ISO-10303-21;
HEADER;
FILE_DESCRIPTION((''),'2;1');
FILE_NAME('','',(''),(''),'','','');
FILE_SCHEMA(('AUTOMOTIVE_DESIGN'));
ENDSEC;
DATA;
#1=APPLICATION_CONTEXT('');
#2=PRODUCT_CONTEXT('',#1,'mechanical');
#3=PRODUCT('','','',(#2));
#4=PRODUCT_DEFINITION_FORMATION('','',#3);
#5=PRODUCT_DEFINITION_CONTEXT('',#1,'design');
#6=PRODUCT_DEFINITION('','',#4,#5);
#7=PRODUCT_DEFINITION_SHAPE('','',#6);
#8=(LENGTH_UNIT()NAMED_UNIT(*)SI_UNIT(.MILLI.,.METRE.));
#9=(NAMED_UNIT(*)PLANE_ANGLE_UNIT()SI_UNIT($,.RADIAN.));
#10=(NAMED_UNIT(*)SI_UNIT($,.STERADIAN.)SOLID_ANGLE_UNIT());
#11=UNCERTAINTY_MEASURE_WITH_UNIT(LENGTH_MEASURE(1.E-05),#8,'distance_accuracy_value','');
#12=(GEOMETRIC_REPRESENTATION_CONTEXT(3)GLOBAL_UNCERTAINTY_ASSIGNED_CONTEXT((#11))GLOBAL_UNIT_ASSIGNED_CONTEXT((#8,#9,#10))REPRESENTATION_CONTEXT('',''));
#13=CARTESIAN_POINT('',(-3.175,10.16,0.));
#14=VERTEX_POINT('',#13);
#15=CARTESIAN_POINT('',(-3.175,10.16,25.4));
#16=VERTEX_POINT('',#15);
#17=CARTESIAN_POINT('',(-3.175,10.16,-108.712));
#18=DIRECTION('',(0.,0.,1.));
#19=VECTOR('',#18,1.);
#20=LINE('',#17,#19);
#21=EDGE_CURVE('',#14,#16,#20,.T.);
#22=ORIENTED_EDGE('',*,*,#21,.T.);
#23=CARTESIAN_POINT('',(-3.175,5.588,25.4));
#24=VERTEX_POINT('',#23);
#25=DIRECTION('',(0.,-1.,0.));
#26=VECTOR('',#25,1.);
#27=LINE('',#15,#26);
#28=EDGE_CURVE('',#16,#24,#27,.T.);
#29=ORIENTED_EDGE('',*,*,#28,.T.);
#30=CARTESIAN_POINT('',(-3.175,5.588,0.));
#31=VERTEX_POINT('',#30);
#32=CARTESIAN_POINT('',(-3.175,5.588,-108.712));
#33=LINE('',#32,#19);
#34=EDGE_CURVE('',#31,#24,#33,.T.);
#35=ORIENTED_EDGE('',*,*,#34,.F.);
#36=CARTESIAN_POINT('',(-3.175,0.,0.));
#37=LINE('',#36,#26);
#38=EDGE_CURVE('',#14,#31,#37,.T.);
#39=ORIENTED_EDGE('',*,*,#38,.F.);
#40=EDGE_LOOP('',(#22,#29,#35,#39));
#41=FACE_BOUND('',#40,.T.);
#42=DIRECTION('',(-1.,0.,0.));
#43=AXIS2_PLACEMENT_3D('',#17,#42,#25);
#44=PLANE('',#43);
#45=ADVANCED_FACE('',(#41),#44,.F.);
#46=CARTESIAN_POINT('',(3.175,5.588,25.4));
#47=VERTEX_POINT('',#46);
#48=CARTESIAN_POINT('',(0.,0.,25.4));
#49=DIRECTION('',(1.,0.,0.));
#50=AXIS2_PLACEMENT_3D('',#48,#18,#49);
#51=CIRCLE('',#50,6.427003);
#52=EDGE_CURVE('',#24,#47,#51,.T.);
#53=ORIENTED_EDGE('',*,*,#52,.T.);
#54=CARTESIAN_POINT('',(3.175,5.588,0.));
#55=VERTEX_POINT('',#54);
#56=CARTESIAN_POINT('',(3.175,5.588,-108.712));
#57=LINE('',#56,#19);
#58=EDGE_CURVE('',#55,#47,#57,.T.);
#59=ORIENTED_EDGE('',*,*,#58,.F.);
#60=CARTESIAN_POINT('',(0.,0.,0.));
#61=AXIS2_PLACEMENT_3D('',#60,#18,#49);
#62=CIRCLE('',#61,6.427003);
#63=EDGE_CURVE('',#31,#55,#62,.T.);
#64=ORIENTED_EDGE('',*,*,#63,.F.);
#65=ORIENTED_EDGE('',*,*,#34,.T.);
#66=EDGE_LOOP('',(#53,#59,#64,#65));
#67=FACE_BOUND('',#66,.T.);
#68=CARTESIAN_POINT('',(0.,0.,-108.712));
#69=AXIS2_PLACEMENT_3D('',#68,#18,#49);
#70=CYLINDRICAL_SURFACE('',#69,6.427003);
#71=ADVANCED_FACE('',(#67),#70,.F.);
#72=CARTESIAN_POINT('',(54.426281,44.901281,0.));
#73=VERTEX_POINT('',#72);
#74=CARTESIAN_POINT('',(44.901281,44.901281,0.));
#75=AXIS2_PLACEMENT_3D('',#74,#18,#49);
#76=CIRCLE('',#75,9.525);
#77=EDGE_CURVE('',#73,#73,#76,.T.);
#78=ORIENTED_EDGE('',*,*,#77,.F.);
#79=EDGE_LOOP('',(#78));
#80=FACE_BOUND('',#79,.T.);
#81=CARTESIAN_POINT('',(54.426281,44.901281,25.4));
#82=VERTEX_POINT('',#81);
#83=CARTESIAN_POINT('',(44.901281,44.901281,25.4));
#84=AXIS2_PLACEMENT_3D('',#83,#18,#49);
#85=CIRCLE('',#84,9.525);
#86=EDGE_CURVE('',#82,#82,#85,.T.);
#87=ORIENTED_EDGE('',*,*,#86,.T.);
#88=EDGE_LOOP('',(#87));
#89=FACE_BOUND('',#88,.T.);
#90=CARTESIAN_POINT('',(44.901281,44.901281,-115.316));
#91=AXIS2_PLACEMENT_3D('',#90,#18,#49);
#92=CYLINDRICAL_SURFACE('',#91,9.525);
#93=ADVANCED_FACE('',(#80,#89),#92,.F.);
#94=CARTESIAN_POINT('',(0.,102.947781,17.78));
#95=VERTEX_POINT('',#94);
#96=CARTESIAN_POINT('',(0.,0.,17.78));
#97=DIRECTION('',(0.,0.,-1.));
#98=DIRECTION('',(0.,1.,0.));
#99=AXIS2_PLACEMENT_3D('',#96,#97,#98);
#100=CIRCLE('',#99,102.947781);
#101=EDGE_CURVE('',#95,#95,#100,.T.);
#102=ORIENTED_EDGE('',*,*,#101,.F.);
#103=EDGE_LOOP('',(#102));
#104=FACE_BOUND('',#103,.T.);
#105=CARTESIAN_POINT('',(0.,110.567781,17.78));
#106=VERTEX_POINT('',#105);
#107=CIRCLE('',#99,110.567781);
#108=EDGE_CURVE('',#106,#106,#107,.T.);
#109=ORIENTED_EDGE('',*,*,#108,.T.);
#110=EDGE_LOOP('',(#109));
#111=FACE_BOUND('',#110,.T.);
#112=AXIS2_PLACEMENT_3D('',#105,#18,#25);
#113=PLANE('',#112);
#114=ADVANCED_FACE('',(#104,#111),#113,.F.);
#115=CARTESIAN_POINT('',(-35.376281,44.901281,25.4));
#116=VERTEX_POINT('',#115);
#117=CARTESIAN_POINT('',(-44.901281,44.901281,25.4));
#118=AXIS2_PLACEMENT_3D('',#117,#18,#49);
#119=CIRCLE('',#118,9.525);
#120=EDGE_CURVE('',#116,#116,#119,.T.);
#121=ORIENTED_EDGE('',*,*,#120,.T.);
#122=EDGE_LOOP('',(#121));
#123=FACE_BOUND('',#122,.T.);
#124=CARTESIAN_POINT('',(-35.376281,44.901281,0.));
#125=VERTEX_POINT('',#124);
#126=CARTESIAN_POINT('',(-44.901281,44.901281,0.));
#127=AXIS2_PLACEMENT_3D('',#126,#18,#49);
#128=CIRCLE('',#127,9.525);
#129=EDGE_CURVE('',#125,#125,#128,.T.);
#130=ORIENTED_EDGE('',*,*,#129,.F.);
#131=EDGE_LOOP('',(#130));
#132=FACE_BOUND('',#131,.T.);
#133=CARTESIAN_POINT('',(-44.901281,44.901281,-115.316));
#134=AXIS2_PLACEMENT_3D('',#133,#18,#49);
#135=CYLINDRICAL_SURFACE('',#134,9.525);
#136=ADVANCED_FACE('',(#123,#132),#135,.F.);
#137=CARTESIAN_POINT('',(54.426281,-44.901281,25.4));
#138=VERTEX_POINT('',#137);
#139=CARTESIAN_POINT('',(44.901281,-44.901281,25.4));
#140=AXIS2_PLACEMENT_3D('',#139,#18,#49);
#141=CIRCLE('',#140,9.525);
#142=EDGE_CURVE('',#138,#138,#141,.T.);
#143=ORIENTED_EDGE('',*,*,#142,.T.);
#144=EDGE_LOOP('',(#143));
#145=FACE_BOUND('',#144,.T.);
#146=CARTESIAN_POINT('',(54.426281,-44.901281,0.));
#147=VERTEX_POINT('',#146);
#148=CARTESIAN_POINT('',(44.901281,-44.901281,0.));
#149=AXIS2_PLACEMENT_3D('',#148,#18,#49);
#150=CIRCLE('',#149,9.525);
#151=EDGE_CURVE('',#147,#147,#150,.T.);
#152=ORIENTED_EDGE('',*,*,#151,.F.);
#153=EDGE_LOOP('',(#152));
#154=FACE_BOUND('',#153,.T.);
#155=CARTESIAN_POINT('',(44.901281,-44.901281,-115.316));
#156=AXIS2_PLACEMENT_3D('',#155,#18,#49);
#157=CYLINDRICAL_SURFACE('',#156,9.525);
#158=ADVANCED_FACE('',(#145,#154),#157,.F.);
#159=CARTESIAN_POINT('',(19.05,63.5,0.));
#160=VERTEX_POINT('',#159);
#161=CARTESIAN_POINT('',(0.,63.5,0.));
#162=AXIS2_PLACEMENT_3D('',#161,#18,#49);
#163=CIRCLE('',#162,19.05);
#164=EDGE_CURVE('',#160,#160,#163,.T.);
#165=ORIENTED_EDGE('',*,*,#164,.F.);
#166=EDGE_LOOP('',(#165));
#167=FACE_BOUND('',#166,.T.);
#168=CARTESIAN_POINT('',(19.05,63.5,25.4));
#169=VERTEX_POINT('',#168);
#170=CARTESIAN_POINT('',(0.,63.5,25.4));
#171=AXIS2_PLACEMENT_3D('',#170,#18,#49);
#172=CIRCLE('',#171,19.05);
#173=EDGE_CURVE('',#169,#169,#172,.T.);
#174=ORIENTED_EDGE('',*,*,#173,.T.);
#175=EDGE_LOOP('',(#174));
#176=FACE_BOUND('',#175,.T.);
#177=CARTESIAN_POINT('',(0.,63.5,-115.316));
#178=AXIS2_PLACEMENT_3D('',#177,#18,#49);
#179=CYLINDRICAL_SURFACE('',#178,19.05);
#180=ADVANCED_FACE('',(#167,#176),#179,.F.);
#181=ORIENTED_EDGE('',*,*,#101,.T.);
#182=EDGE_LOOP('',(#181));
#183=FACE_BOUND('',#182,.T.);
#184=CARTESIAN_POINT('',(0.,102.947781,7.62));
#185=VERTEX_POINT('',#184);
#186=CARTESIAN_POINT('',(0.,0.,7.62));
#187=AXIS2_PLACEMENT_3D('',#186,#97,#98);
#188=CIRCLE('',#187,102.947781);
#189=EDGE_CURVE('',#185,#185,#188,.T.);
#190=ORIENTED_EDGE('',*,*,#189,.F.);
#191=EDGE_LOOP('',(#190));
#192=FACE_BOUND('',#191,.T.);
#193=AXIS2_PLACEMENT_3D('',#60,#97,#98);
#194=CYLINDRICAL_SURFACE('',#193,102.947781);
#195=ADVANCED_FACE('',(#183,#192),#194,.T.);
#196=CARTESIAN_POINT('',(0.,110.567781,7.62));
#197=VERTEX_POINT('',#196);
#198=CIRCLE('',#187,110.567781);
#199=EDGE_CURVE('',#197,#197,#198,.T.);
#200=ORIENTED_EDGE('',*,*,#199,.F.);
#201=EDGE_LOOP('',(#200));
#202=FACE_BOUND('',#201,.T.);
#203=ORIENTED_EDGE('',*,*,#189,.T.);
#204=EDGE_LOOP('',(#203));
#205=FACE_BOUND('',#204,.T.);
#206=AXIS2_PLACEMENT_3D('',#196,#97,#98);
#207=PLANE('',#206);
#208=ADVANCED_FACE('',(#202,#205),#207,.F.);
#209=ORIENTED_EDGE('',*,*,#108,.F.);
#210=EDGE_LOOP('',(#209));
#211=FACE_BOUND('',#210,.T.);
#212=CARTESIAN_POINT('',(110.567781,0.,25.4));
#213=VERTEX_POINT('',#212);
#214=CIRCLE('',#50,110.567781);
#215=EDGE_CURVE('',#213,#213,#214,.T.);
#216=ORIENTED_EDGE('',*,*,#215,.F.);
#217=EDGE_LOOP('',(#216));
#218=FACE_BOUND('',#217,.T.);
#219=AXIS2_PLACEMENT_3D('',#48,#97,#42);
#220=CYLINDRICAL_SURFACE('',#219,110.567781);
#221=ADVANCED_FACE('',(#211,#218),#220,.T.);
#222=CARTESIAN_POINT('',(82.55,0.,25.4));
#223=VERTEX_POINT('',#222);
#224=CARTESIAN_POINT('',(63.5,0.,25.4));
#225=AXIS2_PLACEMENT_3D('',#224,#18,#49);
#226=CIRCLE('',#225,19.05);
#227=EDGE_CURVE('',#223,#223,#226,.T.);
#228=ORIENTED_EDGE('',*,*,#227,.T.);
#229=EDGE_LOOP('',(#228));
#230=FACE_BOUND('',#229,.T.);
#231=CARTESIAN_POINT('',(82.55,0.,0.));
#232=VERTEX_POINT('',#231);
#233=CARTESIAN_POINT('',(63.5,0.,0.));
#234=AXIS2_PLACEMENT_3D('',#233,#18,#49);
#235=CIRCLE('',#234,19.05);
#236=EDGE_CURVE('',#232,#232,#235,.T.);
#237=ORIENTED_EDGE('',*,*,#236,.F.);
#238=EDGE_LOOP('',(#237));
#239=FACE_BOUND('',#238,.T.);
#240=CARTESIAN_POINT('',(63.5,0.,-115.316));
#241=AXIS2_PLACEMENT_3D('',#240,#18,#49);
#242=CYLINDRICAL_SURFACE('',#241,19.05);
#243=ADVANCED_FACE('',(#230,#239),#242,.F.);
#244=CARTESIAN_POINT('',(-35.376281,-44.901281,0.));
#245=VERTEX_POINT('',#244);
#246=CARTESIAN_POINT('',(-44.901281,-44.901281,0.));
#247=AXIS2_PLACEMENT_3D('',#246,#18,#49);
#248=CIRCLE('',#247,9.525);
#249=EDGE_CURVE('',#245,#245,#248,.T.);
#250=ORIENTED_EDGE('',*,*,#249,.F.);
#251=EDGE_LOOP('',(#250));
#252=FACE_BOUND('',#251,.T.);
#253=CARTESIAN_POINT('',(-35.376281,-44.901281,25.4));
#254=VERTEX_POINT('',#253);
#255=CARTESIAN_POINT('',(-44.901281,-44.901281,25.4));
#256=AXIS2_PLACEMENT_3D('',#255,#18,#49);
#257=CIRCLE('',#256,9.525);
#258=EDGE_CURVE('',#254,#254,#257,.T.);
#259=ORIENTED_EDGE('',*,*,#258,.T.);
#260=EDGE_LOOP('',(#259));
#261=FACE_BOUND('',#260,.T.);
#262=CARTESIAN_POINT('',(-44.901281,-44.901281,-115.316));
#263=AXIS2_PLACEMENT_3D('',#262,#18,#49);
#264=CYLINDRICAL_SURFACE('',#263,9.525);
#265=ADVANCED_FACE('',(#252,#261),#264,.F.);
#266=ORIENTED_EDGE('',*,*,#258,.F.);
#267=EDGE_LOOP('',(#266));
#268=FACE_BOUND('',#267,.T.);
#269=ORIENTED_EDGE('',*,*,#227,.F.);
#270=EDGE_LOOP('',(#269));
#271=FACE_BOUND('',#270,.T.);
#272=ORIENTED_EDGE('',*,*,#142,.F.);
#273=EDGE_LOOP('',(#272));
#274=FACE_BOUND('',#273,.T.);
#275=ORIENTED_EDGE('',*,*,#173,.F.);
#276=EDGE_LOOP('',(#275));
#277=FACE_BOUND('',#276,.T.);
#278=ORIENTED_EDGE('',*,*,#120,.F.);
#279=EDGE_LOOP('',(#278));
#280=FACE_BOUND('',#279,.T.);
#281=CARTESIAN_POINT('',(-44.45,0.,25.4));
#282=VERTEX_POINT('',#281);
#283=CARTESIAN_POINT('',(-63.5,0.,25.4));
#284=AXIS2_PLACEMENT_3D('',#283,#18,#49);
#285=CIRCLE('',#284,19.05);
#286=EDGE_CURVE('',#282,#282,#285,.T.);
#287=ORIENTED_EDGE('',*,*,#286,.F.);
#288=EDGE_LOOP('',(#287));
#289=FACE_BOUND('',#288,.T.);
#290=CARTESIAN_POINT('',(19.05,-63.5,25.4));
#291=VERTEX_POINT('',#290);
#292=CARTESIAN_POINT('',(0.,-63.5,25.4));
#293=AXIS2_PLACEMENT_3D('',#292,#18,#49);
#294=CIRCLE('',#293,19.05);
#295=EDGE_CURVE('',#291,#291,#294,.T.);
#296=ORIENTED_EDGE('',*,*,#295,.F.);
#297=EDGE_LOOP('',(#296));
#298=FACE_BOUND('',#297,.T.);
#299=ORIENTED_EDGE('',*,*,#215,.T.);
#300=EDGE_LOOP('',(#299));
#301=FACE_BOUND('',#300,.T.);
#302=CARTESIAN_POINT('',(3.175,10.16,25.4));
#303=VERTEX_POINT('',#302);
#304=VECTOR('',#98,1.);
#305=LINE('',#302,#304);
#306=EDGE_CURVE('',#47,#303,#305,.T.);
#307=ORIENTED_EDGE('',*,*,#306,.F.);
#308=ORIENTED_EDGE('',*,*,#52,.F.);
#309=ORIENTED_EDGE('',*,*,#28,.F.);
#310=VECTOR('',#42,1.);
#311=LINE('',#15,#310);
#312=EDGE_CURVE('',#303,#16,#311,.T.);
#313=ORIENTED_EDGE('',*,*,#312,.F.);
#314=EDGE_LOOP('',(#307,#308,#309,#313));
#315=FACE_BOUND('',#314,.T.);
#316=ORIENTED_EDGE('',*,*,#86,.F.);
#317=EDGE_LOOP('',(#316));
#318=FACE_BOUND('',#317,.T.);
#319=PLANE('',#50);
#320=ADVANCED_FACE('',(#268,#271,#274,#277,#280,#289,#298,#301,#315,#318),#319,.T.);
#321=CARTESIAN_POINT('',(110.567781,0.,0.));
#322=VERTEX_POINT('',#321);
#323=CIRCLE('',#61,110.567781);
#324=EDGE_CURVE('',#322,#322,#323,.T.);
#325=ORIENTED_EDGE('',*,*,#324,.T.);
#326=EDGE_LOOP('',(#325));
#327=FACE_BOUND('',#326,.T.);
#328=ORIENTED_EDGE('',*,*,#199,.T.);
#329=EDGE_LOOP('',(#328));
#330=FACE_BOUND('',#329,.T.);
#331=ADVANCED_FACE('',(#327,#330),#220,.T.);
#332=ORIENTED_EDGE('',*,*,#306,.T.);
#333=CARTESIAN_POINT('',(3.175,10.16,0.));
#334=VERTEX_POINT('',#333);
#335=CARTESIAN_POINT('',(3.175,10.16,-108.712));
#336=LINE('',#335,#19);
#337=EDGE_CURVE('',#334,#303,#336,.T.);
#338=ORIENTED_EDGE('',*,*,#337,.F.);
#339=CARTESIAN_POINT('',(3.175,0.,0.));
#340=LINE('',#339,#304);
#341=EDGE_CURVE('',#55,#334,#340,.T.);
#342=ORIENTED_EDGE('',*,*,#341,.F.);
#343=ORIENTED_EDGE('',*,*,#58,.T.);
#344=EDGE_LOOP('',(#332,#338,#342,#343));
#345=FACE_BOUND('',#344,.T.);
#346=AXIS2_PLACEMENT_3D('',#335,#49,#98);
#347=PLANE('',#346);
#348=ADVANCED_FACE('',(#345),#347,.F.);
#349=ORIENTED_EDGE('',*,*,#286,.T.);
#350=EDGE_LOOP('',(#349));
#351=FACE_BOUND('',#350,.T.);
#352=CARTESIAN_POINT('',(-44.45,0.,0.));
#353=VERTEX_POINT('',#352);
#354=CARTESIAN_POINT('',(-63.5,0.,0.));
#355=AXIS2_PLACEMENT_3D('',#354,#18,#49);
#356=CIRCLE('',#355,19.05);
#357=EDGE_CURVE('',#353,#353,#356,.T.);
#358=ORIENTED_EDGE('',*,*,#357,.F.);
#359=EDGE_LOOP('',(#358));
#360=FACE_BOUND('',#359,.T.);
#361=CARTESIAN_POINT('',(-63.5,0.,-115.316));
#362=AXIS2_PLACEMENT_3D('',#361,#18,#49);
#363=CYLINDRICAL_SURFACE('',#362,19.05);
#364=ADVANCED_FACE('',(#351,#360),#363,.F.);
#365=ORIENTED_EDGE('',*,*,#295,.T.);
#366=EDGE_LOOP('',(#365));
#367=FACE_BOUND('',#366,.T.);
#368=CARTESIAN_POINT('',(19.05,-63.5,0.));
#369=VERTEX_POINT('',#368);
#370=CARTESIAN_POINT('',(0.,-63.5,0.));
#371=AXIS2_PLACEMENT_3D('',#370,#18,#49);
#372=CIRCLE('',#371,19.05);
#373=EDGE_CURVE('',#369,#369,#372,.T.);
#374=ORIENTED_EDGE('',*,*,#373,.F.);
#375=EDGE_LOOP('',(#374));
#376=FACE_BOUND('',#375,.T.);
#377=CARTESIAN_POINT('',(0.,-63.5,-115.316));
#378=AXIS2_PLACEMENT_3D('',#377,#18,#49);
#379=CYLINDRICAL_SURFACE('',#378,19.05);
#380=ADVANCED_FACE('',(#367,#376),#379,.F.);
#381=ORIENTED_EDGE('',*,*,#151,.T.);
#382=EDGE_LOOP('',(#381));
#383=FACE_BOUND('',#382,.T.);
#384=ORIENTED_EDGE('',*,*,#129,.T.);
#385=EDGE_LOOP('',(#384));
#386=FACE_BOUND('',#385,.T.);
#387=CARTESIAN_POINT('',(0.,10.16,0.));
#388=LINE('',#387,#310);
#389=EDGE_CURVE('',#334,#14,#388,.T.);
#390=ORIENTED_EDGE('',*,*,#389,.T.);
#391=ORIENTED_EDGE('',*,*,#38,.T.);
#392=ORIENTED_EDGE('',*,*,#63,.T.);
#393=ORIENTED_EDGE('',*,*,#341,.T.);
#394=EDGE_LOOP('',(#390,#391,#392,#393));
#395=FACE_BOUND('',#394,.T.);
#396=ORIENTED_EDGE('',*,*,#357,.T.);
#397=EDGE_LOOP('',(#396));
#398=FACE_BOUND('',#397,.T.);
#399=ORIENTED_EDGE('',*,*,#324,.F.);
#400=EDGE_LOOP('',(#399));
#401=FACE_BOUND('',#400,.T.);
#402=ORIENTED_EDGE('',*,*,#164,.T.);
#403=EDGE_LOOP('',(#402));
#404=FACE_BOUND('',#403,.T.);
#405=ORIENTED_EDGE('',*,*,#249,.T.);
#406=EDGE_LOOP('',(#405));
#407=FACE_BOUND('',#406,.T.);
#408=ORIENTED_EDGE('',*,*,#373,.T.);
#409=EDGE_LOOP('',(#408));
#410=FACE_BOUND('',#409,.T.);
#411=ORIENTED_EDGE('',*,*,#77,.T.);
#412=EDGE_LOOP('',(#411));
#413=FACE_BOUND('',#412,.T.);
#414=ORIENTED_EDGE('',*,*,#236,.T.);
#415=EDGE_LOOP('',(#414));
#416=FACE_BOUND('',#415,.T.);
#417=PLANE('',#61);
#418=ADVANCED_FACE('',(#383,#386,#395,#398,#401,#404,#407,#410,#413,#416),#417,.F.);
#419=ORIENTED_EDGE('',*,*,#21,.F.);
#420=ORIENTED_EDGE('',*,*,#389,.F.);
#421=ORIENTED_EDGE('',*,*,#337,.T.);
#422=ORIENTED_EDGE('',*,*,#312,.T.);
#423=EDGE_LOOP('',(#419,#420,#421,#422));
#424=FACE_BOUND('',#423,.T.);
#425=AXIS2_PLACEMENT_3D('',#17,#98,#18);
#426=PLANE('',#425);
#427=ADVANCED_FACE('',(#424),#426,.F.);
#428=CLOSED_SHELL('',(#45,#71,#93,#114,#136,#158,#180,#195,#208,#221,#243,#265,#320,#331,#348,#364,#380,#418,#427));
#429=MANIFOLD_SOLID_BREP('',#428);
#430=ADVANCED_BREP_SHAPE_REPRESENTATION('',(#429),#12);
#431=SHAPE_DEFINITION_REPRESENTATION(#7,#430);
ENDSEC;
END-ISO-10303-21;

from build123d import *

# Parameters (mm, degrees)
SKETCH1_R           = 110.567781149
BOSS_EXTRUDE1_DEPTH = 25.4
SKETCH2_R           = 19.05
SKETCH2_R_2         = 9.525
CUT_EXTRUDE3_DEPTH  = 140.716
CUT_EXTRUDE4_DEPTH  = 134.112
SKETCH6_W           = 10.16
SKETCH6_H           = 7.62


with BuildPart() as part:
    # Sketch1 → Boss-Extrude1 (new body)
    with BuildSketch(Plane.XY):
        Circle(SKETCH1_R)
    extrude(amount=BOSS_EXTRUDE1_DEPTH)

    # Sketch2 → Cut-Extrude3 (cut)
    with BuildSketch(Plane.XY.offset(25.4)):
        with Locations((0, 63.5)):
            Circle(SKETCH2_R)
        with Locations((63.5, 0)):
            Circle(SKETCH2_R)
        with Locations((44.901280605, -44.901280605)):
            Circle(SKETCH2_R_2)
        with Locations((0, -63.5)):
            Circle(SKETCH2_R)
        with Locations((44.901280605, 44.901280605)):
            Circle(SKETCH2_R_2)
        with Locations((-44.901280605, -44.901280605)):
            Circle(SKETCH2_R_2)
        with Locations((-63.5, 0)):
            Circle(SKETCH2_R)
        with Locations((-44.901280605, 44.901280605)):
            Circle(SKETCH2_R_2)
    extrude(amount=-CUT_EXTRUDE3_DEPTH, mode=Mode.SUBTRACT)

    # Sketch5 → Cut-Extrude4 (cut)
    with BuildSketch(Plane.XY.offset(25.4)):
        with BuildLine():
            Line((-3.175, 10.16), (3.175, 10.16))
            Line((3.175, 10.16), (3.175, 5.588))
            ThreePointArc((3.175, 5.588), (0, -6.427003112), (-3.175, 5.588))
            Line((-3.175, 5.588), (-3.175, 10.16))
        make_face()
    extrude(amount=-CUT_EXTRUDE4_DEPTH, mode=Mode.SUBTRACT)

    # Sketch6 → Cut-Revolve1 (revolve, cut)
    with BuildSketch(Plane(origin=(0, 0, 0), x_dir=(0, 0, -1), z_dir=(1, 0, 0))):
        with Locations((-12.7, 106.757781149)):
            Rectangle(SKETCH6_W, SKETCH6_H)
    revolve(axis=Axis((0, 0, 0), (0, 0, 1)), mode=Mode.SUBTRACT)


solid = part.part
